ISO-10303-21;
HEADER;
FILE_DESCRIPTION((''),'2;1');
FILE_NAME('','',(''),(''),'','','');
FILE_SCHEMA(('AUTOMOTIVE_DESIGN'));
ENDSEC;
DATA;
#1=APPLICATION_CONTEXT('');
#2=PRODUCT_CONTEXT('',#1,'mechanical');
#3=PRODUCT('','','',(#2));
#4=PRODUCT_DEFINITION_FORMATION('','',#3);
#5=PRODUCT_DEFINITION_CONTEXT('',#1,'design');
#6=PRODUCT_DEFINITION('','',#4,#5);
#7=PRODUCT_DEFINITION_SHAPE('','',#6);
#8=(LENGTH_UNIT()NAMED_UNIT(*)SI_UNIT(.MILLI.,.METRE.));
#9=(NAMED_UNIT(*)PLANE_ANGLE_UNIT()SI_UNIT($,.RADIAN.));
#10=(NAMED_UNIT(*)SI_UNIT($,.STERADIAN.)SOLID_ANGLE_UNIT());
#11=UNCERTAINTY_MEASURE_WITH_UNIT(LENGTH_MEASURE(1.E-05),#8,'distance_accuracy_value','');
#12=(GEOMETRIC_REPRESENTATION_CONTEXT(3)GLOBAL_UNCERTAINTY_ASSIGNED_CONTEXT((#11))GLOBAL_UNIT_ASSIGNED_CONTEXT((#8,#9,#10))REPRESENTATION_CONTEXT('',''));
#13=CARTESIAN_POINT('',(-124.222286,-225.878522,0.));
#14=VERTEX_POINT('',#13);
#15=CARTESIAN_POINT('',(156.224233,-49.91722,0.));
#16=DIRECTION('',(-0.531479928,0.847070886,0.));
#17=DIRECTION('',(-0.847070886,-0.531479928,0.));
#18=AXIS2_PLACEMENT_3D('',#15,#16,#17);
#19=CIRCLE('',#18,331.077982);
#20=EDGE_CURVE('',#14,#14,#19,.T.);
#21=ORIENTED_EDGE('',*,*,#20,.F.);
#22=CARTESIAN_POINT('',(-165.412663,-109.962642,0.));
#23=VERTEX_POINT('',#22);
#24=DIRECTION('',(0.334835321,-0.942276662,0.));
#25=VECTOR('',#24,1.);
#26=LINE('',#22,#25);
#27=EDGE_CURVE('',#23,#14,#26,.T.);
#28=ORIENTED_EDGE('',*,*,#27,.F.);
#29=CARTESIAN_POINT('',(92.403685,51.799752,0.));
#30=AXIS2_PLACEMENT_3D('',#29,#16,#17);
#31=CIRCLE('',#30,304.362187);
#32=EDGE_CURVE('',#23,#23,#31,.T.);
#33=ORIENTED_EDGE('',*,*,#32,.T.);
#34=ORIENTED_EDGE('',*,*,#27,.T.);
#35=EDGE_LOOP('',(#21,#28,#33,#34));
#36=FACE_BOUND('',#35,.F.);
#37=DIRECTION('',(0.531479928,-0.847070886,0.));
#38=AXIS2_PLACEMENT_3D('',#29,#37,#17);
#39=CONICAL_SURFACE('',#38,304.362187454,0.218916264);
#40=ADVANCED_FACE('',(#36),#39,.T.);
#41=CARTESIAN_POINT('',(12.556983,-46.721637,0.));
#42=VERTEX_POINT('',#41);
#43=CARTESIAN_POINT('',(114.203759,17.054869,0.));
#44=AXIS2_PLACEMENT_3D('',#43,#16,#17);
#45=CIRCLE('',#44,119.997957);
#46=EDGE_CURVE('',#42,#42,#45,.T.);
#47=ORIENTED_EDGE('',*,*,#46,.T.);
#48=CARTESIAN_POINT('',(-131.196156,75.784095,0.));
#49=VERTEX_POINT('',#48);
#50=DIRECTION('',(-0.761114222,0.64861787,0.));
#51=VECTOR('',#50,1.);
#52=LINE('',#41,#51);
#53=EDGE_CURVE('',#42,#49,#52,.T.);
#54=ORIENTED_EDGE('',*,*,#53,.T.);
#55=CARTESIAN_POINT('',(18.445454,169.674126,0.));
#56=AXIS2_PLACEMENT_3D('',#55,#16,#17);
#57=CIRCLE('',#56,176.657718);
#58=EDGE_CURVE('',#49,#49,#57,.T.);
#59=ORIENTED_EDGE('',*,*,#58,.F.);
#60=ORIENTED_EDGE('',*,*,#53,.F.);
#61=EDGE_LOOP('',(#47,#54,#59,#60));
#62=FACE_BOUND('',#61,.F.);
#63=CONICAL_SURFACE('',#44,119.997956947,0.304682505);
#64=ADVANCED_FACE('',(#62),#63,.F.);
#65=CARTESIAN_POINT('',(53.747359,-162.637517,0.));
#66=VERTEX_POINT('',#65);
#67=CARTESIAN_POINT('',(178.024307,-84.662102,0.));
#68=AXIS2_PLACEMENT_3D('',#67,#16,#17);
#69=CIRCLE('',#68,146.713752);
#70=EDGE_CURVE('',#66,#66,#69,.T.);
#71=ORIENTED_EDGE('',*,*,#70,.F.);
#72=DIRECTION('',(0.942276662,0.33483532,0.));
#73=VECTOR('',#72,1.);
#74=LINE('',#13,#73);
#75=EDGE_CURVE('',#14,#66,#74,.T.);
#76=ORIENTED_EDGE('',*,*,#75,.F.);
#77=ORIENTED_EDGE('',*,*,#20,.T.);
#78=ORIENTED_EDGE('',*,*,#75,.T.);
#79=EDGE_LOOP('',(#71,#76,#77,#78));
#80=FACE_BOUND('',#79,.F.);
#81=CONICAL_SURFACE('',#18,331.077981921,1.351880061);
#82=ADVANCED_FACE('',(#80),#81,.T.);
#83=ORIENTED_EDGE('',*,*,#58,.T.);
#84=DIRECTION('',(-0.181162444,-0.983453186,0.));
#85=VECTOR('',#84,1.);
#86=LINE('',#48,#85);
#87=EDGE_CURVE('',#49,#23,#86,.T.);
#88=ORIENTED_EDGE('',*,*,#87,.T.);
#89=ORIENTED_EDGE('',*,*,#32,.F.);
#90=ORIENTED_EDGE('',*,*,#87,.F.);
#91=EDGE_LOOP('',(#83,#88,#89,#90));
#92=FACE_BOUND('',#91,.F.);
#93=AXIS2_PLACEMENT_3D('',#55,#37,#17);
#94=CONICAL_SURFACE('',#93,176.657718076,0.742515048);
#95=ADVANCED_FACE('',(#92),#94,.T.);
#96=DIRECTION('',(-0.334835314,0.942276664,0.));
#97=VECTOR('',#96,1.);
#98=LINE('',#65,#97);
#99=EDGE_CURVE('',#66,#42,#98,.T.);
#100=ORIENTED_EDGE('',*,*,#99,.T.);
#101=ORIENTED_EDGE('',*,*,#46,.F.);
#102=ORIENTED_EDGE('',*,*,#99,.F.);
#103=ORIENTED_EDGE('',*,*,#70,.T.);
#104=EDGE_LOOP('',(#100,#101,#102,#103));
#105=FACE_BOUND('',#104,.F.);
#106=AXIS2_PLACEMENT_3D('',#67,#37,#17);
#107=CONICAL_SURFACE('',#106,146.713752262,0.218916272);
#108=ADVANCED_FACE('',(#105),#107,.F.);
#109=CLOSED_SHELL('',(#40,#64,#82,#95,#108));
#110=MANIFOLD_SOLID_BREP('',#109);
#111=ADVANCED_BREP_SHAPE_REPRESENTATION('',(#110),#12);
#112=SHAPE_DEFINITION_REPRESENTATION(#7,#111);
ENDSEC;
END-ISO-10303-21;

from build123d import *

# Parameters (mm, degrees)
F0_R = 46.66329


with BuildPart() as f1:
    # F0 (on Top) → F1 (revolve)
    with BuildSketch(Plane.XY):
        Polygon((53.747359, -162.637517), (12.556983, -46.721637), (-165.412663, -109.962642), (-124.222286, -225.878522), align=None)
        Polygon((-165.412663, -109.962642), (12.556983, -46.721637), (-131.196156, 75.784095), align=None)
        with Locations((-94.683945, -26.966728)):
            Circle(F0_R, mode=Mode.SUBTRACT)
        with Locations((-94.683945, -26.966728)):
            Circle(F0_R)
    revolve(axis=Axis((110.72335, 22.601932, 0), (-0.53148, 0.847071, 0)))


solid = f1.part
